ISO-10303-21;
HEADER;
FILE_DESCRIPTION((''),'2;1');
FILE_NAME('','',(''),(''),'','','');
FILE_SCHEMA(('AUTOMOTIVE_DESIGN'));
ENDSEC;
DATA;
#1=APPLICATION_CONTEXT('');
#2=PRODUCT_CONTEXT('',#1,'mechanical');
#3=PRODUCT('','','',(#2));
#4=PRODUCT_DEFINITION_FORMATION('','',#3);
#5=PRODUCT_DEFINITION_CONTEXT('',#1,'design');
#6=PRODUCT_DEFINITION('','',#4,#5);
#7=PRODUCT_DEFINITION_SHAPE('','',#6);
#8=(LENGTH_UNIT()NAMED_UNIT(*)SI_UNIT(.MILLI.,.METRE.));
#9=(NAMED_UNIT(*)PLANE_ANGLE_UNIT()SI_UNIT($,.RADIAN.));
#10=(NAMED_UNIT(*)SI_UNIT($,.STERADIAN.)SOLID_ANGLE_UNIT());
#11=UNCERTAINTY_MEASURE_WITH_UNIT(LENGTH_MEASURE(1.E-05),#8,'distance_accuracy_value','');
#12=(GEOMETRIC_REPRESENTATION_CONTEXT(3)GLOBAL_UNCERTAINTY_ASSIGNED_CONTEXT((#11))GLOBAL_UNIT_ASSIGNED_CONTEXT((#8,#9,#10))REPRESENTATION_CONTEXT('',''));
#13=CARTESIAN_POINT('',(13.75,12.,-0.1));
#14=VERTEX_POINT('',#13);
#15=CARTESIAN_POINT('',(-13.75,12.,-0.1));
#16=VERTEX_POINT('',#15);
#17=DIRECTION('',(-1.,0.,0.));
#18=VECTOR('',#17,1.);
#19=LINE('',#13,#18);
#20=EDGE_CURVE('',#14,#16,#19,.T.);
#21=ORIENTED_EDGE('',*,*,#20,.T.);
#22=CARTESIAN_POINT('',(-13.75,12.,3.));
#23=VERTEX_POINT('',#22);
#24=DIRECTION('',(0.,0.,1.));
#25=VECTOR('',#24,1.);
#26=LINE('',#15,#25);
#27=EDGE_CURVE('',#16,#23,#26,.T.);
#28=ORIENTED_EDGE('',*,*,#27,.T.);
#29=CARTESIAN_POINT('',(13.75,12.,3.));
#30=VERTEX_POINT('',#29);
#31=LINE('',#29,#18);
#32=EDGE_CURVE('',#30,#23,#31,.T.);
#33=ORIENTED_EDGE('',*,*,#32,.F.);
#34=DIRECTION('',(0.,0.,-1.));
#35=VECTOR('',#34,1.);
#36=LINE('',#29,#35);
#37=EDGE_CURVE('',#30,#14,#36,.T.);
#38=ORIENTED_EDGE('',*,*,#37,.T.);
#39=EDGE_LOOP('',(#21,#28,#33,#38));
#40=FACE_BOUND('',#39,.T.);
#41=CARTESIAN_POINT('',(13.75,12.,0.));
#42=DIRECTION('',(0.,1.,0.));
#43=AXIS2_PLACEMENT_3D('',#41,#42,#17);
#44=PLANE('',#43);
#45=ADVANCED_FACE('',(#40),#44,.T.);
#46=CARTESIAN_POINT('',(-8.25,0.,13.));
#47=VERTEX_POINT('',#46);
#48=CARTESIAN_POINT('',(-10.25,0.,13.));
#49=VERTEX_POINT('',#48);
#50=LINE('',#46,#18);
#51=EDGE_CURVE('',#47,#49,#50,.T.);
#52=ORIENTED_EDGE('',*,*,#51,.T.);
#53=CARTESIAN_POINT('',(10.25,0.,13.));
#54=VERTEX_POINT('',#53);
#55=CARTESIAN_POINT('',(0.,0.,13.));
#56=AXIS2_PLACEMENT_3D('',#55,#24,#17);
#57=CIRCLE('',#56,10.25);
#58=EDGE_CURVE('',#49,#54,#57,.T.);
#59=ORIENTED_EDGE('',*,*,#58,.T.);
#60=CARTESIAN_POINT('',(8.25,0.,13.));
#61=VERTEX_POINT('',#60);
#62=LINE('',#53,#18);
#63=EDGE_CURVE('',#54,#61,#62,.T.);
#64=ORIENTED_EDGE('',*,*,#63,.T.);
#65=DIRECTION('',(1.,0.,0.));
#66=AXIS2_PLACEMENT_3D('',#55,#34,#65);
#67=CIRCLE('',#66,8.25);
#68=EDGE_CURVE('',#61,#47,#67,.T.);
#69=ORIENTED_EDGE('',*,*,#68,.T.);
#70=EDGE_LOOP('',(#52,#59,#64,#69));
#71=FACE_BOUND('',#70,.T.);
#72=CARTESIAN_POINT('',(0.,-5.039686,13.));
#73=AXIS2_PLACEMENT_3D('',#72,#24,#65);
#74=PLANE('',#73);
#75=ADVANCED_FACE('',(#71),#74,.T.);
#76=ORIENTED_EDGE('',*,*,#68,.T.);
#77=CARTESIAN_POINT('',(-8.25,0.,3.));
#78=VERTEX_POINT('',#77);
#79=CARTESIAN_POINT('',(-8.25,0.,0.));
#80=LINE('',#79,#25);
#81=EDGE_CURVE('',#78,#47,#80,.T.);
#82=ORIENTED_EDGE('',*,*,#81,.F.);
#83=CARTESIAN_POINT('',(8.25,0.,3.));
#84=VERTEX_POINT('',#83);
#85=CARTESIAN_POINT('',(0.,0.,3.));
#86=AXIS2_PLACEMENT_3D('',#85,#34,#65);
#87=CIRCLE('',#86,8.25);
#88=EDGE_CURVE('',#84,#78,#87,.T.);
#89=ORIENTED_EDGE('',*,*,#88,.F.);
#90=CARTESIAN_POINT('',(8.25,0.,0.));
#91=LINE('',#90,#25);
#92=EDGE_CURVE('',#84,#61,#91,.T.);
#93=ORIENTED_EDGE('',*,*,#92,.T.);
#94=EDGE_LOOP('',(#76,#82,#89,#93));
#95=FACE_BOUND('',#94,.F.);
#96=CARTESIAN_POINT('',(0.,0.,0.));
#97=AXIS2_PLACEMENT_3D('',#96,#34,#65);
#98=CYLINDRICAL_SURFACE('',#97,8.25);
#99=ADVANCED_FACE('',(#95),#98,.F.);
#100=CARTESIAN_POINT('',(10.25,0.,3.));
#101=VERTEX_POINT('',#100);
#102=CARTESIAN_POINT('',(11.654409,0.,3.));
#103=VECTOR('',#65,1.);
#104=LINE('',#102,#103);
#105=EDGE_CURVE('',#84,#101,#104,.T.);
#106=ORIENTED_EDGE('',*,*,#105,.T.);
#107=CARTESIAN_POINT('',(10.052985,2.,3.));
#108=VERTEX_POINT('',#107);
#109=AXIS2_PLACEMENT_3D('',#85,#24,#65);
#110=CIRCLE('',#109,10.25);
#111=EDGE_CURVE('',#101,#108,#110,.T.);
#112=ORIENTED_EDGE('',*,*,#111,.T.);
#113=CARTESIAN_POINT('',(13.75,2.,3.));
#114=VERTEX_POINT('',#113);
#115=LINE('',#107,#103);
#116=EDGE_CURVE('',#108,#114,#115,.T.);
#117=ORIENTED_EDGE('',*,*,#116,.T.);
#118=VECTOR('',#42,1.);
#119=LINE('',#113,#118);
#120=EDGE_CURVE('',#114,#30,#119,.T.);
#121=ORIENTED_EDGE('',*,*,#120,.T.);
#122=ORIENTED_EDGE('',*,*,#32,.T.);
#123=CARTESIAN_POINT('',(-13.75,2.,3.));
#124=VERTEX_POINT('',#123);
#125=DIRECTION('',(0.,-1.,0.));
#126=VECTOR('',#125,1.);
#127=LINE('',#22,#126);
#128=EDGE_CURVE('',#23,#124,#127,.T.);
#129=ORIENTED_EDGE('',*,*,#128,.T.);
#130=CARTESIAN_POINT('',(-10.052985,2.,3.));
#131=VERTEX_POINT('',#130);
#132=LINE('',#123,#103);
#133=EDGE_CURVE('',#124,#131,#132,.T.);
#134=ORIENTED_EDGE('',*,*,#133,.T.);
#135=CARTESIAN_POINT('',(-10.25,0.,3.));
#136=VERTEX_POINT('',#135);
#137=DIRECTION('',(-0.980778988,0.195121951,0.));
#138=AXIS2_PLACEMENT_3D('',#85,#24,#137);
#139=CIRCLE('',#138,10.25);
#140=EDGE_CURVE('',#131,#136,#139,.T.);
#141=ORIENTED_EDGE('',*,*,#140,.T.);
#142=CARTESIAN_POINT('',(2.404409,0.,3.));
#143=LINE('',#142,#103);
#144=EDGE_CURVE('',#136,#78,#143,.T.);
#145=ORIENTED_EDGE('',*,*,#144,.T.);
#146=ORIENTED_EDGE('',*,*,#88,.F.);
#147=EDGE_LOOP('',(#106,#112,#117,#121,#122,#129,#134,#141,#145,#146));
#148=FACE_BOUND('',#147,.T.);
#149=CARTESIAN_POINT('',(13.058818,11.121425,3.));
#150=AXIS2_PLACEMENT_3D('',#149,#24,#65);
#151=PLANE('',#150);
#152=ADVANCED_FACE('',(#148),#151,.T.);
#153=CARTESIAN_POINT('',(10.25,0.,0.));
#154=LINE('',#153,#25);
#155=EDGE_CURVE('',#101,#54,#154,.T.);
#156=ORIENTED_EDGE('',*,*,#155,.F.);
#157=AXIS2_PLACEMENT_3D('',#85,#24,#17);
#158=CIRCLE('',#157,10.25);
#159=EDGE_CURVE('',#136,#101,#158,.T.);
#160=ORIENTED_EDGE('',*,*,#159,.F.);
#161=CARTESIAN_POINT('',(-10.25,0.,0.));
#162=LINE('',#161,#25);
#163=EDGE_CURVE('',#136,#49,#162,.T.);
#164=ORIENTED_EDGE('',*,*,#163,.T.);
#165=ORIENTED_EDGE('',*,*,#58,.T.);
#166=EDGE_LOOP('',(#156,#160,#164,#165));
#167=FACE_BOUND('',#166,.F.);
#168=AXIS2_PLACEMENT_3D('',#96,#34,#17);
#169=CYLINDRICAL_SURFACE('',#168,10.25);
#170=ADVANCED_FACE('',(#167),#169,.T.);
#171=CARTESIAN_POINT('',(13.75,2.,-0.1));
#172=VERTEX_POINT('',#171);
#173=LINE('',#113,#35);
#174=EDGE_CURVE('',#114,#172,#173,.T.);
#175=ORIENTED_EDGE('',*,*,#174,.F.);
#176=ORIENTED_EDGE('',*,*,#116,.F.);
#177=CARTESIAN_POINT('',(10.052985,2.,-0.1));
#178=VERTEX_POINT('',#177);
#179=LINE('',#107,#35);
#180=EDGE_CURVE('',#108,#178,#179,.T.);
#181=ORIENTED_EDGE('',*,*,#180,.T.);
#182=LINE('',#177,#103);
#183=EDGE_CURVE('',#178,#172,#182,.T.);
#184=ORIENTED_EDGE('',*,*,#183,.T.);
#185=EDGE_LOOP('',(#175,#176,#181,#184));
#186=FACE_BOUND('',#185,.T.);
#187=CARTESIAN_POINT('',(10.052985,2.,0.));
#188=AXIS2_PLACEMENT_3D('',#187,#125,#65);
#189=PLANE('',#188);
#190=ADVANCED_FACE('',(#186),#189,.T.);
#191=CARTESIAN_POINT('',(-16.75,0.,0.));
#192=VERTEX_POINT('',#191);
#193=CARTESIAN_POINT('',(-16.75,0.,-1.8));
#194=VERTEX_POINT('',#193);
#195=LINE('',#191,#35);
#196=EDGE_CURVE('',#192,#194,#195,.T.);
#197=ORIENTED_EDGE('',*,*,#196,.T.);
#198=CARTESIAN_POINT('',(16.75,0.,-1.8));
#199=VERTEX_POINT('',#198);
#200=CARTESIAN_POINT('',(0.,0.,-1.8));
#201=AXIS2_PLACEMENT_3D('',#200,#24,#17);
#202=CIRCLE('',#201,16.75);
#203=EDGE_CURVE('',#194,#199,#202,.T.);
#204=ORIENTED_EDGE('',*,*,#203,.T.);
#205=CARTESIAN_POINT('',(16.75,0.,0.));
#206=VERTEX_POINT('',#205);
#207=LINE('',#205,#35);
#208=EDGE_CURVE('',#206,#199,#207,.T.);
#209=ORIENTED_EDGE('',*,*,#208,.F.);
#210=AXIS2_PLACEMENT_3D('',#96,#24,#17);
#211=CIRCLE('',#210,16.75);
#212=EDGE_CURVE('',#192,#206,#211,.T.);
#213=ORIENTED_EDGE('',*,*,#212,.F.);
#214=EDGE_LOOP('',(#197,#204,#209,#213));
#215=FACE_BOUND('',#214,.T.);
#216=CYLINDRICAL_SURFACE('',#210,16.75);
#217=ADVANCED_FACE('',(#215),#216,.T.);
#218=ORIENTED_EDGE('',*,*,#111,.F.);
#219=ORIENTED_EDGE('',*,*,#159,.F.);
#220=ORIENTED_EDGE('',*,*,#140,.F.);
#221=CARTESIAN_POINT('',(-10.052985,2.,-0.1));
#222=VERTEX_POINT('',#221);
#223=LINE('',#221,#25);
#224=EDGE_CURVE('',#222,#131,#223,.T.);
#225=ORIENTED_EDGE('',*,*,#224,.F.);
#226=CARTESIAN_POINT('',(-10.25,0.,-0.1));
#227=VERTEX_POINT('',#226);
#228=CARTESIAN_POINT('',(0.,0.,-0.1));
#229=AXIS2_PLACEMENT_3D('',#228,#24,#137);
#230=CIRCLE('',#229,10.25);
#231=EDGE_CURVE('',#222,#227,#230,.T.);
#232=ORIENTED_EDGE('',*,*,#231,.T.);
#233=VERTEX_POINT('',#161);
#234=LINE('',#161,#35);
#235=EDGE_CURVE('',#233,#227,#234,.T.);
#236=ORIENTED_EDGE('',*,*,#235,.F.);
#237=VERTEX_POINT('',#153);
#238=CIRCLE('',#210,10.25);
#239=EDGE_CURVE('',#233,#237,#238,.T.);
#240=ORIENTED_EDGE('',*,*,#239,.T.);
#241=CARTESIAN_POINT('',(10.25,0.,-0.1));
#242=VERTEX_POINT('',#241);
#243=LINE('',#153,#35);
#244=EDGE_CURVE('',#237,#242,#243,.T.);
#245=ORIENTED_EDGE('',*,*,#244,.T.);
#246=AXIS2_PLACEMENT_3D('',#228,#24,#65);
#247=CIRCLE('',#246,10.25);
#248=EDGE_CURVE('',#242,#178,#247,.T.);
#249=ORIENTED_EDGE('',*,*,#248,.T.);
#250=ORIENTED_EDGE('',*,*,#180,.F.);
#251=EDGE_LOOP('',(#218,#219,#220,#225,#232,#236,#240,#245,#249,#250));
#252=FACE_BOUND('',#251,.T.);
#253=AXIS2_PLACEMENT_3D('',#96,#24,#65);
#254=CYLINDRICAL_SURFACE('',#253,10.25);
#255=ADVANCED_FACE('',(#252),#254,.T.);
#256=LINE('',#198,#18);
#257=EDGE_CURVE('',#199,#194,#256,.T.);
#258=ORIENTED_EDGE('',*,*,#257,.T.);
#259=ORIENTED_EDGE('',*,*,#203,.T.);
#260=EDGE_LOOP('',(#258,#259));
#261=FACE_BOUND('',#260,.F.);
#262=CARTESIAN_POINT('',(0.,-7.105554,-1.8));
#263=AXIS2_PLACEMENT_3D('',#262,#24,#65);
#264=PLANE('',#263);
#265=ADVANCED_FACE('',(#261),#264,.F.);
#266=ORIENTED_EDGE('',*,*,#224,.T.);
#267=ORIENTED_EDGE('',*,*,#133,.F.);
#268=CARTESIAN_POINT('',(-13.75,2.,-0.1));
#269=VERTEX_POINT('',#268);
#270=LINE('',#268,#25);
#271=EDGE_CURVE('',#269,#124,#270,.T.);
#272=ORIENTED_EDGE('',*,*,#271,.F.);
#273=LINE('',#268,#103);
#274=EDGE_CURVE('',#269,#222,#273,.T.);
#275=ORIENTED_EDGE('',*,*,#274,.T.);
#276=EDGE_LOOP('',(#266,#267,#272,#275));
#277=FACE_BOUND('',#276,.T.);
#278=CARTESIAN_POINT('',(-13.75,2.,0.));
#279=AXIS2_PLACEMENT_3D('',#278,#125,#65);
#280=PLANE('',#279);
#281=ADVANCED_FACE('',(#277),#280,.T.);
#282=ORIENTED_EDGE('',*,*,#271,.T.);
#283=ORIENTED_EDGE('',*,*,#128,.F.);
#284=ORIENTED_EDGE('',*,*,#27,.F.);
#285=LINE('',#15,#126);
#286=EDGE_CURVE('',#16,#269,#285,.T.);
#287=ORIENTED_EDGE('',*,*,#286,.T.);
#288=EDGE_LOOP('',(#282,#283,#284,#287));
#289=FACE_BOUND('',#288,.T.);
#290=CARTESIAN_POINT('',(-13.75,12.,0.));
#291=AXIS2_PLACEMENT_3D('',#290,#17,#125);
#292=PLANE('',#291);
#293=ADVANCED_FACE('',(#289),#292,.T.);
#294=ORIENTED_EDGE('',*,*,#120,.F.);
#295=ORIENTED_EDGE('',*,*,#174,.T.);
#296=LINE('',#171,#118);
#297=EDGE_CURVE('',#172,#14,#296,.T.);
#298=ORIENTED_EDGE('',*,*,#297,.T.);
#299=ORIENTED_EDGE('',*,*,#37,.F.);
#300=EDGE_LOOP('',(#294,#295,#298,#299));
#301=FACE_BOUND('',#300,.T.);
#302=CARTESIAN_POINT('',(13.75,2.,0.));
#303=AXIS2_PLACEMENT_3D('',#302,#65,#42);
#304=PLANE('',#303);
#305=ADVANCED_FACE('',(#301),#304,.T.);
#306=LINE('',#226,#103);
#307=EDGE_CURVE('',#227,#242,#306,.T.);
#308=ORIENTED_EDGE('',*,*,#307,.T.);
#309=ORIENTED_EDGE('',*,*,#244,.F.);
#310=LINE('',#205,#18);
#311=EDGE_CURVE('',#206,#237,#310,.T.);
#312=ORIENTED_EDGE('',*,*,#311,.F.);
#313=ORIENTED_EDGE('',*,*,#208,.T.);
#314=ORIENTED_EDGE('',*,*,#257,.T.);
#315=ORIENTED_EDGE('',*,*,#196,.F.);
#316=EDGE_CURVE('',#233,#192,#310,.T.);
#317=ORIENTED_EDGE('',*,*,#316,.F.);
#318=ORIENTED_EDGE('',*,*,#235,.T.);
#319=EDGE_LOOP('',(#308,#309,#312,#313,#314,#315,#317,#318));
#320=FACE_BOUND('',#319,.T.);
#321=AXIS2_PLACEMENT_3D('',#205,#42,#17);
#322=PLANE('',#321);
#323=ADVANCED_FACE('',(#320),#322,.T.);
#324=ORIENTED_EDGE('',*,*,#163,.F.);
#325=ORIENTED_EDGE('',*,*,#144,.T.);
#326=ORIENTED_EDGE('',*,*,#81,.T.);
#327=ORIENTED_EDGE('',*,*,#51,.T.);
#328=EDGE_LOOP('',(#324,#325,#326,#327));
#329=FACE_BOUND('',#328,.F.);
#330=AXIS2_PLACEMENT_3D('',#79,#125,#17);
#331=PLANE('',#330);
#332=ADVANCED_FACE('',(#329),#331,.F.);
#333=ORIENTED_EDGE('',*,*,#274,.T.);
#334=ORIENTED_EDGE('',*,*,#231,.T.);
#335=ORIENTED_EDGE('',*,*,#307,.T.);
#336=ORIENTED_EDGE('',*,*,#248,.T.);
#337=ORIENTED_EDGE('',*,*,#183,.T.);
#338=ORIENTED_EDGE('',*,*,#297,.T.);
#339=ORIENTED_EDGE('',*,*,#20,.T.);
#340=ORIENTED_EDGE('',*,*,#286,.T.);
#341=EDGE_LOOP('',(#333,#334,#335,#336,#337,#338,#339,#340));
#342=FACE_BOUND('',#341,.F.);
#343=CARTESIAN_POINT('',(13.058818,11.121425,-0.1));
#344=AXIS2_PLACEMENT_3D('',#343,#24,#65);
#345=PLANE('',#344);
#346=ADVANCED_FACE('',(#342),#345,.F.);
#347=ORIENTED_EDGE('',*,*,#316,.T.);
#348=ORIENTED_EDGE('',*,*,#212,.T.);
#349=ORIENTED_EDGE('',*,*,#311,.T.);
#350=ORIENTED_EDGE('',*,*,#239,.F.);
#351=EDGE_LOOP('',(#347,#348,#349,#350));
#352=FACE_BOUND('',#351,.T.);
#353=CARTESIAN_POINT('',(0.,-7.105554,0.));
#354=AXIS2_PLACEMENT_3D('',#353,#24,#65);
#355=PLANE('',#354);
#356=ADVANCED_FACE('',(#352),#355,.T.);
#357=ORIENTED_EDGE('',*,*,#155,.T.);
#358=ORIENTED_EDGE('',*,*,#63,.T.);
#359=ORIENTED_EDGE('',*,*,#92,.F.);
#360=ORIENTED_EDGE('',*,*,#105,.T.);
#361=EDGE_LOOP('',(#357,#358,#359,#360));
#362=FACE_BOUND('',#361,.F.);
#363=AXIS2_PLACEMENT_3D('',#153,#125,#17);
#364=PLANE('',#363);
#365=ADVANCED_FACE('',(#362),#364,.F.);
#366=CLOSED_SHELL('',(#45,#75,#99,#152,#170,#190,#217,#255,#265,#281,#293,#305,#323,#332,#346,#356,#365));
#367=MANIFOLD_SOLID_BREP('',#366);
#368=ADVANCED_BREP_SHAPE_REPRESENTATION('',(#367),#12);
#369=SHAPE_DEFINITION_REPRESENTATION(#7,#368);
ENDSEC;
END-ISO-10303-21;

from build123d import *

# Parameters (mm, degrees)
F1_DEPTH      = 1.8
F2_DEPTH      = 3
F2_DEPTH_BACK = 0.1
F3_DEPTH      = 13
F3_DEPTH_BACK = 1.7


with BuildPart() as f1:
    # F0 (on Top) → F1 (new body)
    with BuildSketch(Plane.XY):
        with BuildLine():
            Line((-13.75, 0), (-16.75, 0))
            ThreePointArc((-16.75, 0), (0, -16.75), (16.75, 0))
            Line((16.75, 0), (13.75, 0))
            Line((13.75, 0), (10.25, 0))
            ThreePointArc((10.25, 0), (0, -10.25), (-10.25, 0))
            Line((-10.25, 0), (-13.75, 0))
        make_face()
        with BuildLine():
            Line((-8.25, 0), (-10.25, 0))
            ThreePointArc((-10.25, 0), (0, -10.25), (10.25, 0))
            Line((10.25, 0), (8.25, 0))
            ThreePointArc((8.25, 0), (0, -8.25), (-8.25, 0))
        make_face()
        with BuildLine():
            Line((8.25, 0), (-8.25, 0))
            ThreePointArc((-8.25, 0), (0, -8.25), (8.25, 0))
        make_face()
    extrude(amount=-F1_DEPTH)

    # F0 (on Top) → F2 (join, two sides)
    with BuildSketch(Plane.XY) as f2_sk:
        with BuildLine():
            ThreePointArc((11.6859958925, 12), (12.7761141335, 10.8320546365), (13.75, 9.5655632349))
            Line((13.75, 9.5655632349), (13.75, 12))
            Line((13.75, 12), (11.6859958925, 12))
        make_face()
        with BuildLine():
            ThreePointArc((-10.0529846314, 2), (-10.2006272472, 1.0048401683), (-10.25, 0))
            Line((-10.25, 0), (-8.25, 0))
            ThreePointArc((-8.25, 0), (-8.1882451935, 1.0075418854), (-8.0039052968, 2))
            Line((-8.0039052968, 2), (-10.0529846314, 2))
        make_face()
        with BuildLine():
            ThreePointArc((-8.0039052968, 2), (-8.1882451935, 1.0075418854), (-8.25, 0))
            Line((-8.25, 0), (8.25, 0))
            ThreePointArc((8.25, 0), (8.1882451935, 1.0075418854), (8.0039052968, 2))
            Line((8.0039052968, 2), (-8.0039052968, 2))
        make_face()
        with BuildLine():
            Line((8.25, 0), (10.25, 0))
            ThreePointArc((10.25, 0), (10.2006272472, 1.0048401683), (10.0529846314, 2))
            Line((10.0529846314, 2), (8.0039052968, 2))
            ThreePointArc((8.0039052968, 2), (8.1882451935, 1.0075418854), (8.25, 0))
        make_face()
        with BuildLine():
            ThreePointArc((-11.6859958925, 12), (-12.7761141335, 10.8320546365), (-13.75, 9.5655632349))
            Line((-13.75, 9.5655632349), (-13.75, 2))
            Line((-13.75, 2), (-10.0529846314, 2))
            ThreePointArc((-10.0529846314, 2), (0, 10.25), (10.0529846314, 2))
            Line((10.0529846314, 2), (13.75, 2))
            Line((13.75, 2), (13.75, 9.5655632349))
            ThreePointArc((13.75, 9.5655632349), (12.7761141335, 10.8320546365), (11.6859958925, 12))
            Line((11.6859958925, 12), (-11.6859958925, 12))
        make_face()
        with BuildLine():
            Line((8.25, 0), (-8.25, 0))
            ThreePointArc((-8.25, 0), (0, -8.25), (8.25, 0))
        make_face()
        with BuildLine():
            Line((-8.25, 0), (-10.25, 0))
            ThreePointArc((-10.25, 0), (0, -10.25), (10.25, 0))
            Line((10.25, 0), (8.25, 0))
            ThreePointArc((8.25, 0), (0, -8.25), (-8.25, 0))
        make_face()
        with BuildLine():
            ThreePointArc((10.0529846314, 2), (0, 10.25), (-10.0529846314, 2))
            Line((-10.0529846314, 2), (-8.0039052968, 2))
            ThreePointArc((-8.0039052968, 2), (0, 8.25), (8.0039052968, 2))
            Line((8.0039052968, 2), (10.0529846314, 2))
        make_face()
        with BuildLine():
            ThreePointArc((8.0039052968, 2), (0, 8.25), (-8.0039052968, 2))
            Line((-8.0039052968, 2), (8.0039052968, 2))
        make_face()
        with BuildLine():
            Line((-13.75, 12), (-13.75, 9.5655632349))
            ThreePointArc((-13.75, 9.5655632349), (-12.7761141335, 10.8320546365), (-11.6859958925, 12))
            Line((-11.6859958925, 12), (-13.75, 12))
        make_face()
    extrude(amount=F2_DEPTH)
    extrude(f2_sk.sketch, amount=-F2_DEPTH_BACK)

    # F0 (on Top) → F3 (join, two sides)
    with BuildSketch(Plane.XY) as f3_sk:
        with BuildLine():
            Line((-8.25, 0), (-10.25, 0))
            ThreePointArc((-10.25, 0), (0, -10.25), (10.25, 0))
            Line((10.25, 0), (8.25, 0))
            ThreePointArc((8.25, 0), (0, -8.25), (-8.25, 0))
        make_face()
    extrude(amount=F3_DEPTH)
    extrude(f3_sk.sketch, amount=-F3_DEPTH_BACK)


solid = f1.part
